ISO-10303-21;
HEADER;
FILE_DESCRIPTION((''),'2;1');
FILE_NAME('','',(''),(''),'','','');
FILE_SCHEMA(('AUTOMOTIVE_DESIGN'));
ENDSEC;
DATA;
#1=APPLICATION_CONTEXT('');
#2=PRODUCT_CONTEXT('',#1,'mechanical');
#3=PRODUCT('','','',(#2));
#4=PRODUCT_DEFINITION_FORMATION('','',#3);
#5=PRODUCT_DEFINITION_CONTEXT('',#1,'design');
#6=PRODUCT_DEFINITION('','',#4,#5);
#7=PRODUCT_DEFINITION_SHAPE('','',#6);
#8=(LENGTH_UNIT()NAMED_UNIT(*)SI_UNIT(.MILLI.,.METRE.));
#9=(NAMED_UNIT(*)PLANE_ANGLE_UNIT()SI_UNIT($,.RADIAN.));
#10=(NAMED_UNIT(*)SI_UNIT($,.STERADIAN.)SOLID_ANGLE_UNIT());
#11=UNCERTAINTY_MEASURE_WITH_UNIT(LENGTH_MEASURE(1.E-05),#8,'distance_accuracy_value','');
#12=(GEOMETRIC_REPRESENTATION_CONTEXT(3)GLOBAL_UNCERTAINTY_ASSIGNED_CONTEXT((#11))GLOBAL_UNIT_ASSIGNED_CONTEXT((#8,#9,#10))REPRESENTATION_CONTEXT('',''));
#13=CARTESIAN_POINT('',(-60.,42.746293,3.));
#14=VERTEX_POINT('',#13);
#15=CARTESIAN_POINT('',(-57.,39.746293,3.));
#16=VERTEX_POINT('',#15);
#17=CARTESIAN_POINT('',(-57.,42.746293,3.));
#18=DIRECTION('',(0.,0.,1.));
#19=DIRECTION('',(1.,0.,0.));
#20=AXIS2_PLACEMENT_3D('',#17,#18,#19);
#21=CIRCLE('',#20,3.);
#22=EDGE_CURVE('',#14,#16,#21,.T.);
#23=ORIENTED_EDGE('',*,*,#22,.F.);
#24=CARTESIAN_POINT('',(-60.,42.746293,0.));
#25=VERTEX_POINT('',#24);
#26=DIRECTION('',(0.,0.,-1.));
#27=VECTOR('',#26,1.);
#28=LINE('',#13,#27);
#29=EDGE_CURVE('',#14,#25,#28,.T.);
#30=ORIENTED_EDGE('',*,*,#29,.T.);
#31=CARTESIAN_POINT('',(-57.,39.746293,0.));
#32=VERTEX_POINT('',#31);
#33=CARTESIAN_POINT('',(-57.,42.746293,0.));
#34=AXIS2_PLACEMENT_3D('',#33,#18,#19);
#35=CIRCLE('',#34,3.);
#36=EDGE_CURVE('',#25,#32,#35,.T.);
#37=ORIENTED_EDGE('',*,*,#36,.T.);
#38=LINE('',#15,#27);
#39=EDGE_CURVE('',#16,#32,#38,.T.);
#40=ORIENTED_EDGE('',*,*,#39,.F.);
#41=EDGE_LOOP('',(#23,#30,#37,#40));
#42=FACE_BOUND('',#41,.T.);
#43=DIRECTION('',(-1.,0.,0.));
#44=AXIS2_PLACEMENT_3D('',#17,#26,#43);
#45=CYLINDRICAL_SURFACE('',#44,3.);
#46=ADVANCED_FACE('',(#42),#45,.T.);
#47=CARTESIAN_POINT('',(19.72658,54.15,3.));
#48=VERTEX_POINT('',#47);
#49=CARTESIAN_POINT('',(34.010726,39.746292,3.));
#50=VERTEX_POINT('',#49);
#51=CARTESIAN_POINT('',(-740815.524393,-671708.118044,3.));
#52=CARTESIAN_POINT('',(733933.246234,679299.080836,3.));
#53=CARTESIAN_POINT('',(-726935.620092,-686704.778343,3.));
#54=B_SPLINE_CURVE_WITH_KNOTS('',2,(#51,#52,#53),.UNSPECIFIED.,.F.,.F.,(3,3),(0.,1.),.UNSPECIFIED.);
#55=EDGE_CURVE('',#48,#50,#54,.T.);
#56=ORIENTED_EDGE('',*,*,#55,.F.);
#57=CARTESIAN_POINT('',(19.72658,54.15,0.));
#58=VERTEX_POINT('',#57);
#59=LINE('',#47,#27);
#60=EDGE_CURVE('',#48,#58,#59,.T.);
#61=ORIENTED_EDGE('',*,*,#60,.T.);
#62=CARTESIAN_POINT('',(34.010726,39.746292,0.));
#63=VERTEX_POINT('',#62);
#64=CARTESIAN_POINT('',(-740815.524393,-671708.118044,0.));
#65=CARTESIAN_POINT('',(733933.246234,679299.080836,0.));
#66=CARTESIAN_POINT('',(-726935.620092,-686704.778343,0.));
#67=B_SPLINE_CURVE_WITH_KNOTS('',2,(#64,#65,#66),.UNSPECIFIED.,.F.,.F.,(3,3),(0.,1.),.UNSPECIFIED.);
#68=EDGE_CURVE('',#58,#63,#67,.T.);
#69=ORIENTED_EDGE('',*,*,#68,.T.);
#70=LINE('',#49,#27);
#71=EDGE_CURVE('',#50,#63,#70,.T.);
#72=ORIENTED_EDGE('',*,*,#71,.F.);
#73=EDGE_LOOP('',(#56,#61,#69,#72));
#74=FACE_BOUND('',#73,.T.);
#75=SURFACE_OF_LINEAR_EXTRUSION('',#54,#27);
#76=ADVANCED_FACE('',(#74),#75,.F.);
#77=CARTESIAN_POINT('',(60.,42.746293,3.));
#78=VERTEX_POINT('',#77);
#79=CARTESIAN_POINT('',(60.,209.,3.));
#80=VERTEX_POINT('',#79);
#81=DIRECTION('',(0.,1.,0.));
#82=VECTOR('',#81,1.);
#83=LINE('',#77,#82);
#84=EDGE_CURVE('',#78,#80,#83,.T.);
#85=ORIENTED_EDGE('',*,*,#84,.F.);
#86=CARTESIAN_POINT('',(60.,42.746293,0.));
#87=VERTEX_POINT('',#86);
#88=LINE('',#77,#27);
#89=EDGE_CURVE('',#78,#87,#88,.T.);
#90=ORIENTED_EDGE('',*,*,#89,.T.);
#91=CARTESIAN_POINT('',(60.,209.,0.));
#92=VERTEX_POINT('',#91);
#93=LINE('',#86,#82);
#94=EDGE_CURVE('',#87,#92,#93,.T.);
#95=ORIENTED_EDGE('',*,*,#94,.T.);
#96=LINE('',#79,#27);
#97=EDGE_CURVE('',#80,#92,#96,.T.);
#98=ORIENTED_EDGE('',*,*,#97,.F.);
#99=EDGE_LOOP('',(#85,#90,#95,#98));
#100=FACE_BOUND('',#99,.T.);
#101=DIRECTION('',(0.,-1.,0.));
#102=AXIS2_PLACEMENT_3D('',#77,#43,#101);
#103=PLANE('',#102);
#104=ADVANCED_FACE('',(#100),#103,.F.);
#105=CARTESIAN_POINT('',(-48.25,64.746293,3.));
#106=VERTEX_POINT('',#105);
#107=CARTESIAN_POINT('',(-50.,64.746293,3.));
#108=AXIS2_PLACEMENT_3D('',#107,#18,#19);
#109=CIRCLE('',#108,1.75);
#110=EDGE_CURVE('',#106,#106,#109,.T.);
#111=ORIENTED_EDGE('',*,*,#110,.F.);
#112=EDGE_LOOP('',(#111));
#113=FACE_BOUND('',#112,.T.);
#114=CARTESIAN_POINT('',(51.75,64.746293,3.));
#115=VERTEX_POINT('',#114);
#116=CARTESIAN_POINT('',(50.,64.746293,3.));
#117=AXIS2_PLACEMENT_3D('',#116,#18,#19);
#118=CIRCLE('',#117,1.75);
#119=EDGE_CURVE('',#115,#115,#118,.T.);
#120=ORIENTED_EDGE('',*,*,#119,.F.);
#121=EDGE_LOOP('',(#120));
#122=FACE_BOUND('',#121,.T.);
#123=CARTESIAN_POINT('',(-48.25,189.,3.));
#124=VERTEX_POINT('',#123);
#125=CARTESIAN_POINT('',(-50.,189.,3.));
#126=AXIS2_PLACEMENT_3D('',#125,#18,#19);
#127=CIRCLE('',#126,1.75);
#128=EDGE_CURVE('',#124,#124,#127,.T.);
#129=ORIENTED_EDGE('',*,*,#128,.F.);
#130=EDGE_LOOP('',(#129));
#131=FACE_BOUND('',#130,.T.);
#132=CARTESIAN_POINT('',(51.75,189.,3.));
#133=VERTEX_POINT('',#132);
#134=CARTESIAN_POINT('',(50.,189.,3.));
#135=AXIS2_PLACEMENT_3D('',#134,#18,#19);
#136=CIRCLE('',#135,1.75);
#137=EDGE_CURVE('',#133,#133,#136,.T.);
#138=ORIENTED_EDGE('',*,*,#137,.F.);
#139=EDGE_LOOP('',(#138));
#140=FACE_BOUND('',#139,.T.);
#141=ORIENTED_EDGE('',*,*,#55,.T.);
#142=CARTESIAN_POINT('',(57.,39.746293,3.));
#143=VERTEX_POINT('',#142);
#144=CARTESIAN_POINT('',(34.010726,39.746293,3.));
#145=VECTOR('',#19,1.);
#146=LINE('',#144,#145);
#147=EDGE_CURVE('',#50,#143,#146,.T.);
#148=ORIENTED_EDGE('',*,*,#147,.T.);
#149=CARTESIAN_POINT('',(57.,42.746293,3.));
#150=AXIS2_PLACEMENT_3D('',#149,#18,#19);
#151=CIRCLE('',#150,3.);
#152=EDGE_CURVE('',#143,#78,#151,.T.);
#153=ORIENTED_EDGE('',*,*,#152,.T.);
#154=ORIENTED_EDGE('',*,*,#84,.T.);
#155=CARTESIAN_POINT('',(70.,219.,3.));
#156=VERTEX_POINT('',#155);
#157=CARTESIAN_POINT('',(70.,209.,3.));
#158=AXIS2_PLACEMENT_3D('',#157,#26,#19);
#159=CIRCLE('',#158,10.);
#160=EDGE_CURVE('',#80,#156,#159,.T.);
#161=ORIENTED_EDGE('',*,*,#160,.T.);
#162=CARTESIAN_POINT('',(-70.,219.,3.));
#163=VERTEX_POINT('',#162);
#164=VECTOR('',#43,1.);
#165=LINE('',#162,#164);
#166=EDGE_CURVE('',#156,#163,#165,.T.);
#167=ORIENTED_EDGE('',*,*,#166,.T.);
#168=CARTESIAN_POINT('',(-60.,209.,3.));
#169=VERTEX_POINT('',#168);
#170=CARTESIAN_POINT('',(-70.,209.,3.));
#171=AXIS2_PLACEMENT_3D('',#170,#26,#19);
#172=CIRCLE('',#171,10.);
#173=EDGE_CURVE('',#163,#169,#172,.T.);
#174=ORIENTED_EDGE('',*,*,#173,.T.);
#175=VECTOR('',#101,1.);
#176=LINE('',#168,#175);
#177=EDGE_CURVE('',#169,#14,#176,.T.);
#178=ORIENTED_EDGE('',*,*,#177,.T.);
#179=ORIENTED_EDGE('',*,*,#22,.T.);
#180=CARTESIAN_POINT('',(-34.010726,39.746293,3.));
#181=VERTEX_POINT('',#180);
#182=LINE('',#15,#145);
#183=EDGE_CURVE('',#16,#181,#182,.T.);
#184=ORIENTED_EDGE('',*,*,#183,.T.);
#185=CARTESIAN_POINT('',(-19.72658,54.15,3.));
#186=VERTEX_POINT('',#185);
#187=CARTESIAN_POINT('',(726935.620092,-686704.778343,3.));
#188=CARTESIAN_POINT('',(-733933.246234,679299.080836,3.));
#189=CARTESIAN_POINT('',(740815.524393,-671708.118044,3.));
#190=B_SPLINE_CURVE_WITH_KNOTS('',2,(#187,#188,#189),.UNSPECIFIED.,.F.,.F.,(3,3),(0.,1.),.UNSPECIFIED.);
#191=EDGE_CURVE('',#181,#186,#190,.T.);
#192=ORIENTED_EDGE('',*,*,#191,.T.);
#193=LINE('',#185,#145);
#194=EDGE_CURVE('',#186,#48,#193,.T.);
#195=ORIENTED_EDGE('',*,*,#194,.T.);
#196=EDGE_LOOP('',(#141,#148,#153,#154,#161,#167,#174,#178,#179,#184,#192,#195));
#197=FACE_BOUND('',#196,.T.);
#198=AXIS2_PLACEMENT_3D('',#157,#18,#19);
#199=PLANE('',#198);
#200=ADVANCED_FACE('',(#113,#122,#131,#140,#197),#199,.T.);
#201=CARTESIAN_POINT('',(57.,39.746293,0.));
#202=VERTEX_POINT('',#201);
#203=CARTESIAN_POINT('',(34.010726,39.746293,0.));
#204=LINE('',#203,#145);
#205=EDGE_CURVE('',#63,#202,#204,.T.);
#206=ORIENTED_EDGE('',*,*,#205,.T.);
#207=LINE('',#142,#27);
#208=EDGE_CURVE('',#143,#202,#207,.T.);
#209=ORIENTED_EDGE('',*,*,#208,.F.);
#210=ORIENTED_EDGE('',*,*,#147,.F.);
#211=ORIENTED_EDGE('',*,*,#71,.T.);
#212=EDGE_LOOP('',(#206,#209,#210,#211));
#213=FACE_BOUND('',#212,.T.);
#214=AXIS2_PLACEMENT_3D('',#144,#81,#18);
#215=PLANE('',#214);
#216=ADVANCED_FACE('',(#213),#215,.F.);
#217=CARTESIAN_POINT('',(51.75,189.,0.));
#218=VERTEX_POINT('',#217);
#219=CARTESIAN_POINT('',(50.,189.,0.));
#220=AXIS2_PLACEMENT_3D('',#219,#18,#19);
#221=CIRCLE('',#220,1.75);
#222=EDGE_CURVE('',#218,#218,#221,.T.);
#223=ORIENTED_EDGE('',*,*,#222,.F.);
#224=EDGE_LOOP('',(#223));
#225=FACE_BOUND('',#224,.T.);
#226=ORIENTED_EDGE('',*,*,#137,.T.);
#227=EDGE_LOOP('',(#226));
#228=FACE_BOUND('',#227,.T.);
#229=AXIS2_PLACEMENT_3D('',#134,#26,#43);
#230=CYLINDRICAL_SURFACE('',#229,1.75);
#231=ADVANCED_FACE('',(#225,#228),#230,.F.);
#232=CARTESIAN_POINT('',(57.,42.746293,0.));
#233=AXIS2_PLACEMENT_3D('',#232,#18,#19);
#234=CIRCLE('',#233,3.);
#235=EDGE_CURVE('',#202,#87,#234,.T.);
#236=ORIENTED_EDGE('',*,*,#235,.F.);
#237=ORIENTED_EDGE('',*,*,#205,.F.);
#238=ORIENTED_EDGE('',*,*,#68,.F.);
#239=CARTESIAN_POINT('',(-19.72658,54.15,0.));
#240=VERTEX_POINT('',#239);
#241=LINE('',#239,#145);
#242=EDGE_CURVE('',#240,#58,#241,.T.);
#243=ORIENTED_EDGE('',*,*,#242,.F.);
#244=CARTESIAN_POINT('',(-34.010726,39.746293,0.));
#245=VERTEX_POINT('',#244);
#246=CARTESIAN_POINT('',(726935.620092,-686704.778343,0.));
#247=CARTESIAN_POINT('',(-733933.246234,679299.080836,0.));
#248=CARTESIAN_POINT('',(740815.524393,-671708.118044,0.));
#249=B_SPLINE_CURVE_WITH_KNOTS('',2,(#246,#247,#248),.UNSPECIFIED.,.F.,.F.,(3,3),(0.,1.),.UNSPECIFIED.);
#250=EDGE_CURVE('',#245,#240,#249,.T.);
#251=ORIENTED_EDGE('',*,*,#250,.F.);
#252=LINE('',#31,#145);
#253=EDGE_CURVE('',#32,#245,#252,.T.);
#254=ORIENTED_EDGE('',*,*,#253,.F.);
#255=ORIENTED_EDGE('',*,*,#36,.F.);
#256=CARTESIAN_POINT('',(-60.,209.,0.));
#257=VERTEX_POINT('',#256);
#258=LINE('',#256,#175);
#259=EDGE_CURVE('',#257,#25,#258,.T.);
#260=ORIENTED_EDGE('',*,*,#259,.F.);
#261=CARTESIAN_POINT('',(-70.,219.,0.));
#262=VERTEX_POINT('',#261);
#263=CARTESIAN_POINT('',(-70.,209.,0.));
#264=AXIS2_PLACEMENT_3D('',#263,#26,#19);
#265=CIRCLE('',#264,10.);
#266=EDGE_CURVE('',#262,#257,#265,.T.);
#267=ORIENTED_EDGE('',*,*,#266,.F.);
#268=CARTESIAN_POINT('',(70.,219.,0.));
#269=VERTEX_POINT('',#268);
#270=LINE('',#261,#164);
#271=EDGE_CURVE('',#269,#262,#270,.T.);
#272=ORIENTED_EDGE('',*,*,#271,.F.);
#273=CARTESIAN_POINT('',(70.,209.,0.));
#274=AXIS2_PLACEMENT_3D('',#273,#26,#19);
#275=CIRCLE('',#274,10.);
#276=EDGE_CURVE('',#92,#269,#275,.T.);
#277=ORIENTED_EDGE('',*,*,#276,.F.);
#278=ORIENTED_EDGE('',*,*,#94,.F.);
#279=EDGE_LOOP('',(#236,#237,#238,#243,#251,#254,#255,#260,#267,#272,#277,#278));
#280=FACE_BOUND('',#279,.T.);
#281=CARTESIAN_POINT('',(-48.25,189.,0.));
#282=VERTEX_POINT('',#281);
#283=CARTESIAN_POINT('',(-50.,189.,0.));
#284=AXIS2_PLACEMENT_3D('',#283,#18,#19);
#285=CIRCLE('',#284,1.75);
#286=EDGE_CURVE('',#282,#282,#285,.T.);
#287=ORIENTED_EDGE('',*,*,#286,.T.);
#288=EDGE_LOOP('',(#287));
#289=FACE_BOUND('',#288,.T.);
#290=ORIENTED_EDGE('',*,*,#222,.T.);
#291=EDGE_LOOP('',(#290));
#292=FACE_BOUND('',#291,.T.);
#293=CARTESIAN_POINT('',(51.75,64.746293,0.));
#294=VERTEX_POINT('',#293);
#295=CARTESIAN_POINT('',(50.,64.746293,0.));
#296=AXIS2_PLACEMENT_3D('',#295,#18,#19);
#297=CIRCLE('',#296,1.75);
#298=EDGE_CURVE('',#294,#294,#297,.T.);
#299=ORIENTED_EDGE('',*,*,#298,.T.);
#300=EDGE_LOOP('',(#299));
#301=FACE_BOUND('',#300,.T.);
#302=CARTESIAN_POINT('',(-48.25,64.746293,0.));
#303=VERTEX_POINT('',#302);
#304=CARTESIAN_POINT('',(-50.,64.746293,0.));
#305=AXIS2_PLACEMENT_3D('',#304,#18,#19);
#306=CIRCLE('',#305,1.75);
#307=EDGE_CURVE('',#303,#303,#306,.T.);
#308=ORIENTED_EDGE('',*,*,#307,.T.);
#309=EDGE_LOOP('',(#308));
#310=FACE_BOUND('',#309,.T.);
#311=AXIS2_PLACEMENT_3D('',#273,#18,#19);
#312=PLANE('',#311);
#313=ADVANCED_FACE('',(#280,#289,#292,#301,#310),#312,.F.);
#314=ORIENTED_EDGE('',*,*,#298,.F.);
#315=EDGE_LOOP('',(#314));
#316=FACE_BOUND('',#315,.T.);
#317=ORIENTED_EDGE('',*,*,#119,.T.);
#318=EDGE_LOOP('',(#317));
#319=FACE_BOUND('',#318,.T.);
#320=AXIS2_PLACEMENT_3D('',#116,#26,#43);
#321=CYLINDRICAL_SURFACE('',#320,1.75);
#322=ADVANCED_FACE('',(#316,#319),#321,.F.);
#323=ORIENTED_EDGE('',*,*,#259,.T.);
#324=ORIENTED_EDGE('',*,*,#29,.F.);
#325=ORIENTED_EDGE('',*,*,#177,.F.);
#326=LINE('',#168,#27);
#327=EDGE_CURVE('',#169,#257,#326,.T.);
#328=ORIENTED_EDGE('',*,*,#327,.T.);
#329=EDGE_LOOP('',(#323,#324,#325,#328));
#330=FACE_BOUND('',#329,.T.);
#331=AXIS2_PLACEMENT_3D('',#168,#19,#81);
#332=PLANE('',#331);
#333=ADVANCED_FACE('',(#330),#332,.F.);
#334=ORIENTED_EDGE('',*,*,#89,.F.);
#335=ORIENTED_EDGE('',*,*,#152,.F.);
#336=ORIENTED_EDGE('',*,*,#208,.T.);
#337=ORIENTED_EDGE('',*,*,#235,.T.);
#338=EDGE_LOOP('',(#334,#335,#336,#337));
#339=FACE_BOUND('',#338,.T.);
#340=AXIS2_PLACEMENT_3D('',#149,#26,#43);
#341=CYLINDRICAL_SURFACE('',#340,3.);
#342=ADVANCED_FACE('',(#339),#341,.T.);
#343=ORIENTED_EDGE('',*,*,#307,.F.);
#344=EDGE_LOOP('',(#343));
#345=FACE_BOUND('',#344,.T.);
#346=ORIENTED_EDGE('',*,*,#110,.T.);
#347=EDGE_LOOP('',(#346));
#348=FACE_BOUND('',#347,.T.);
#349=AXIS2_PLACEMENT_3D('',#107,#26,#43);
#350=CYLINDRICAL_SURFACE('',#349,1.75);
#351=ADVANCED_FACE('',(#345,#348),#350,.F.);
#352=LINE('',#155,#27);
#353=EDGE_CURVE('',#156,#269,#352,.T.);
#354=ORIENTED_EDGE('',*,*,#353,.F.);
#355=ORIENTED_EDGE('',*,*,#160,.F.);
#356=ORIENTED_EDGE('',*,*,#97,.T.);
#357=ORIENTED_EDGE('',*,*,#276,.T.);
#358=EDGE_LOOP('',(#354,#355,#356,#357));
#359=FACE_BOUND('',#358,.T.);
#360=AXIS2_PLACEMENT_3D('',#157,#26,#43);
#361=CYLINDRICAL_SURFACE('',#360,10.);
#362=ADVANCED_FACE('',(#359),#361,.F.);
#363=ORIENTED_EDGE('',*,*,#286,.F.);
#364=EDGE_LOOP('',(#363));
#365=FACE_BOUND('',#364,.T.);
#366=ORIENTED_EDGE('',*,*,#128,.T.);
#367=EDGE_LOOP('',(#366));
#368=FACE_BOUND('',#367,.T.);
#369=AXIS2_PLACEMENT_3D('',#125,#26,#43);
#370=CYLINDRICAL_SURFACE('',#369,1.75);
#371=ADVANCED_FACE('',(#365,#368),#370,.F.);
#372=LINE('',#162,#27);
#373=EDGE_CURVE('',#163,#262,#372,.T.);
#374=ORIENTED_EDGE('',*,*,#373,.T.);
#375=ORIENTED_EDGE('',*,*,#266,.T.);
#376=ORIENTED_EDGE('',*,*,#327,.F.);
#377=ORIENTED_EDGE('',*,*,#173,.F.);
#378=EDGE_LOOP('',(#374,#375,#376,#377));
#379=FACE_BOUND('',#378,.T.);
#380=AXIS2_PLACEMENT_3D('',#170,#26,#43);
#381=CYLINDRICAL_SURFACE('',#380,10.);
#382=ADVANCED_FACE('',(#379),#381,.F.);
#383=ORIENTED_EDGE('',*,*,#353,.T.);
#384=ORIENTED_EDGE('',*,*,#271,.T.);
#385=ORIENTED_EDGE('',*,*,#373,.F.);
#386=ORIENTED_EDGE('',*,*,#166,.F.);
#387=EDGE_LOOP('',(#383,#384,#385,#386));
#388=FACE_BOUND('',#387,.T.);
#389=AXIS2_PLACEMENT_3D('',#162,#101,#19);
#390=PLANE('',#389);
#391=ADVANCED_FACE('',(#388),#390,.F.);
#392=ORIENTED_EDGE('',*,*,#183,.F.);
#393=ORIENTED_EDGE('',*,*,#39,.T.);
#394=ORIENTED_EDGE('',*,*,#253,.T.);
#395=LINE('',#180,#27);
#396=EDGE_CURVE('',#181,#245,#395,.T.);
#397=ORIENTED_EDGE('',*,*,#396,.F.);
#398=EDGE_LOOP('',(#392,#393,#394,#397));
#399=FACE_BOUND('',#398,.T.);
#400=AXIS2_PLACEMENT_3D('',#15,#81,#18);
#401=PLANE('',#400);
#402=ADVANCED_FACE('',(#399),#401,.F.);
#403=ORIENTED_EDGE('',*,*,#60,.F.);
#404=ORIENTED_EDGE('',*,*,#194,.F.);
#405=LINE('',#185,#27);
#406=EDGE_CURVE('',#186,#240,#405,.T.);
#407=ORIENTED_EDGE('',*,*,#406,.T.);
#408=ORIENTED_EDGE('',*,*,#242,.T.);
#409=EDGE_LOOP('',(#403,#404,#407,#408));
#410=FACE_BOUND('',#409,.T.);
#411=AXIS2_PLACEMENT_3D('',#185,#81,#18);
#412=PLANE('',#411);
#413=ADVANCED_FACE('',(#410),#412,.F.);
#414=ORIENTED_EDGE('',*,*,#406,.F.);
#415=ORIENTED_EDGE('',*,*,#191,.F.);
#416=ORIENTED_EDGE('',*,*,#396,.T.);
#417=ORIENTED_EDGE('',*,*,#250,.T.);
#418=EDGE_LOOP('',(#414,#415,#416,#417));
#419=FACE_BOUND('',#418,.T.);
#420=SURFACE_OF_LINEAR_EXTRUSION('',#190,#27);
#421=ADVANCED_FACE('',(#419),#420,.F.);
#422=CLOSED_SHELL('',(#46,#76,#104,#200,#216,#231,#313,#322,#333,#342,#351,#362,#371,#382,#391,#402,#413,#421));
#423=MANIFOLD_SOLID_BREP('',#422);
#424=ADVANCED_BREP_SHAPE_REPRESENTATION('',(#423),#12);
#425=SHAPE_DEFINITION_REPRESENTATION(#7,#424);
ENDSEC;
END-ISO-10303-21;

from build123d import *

# Parameters (mm, degrees)
SKETCH1_R           = 1.75
BOSS_EXTRUDE1_DEPTH = 3


with BuildPart() as part:
    # Sketch1 → Boss-Extrude1 (new body)
    with BuildSketch(Plane.XY):
        with BuildLine():
            Line((-70, 219), (70, 219))
            ThreePointArc((70, 219), (62.928932188, 216.071067812), (60, 209))
            Line((60, 209), (60, 42.746292529))
            ThreePointArc((60, 42.746292529), (59.121320344, 40.624972186), (57, 39.746292529))
            Line((57, 39.746292529), (34.010726171, 39.746292529))
            add(Edge.make_bspline(
                [(19.726580418, 54.15), (28.313482158, 48.285383086), (34.010726171, 39.746292529)],
                knots=[0, 0, 0, 1, 1, 1], degree=2))
            Line((19.726580418, 54.15), (-19.726580418, 54.15))
            add(Edge.make_bspline(
                [(-34.01072617, 39.746292529), (-28.313482158, 48.285383086), (-19.726580418, 54.15)],
                knots=[0, 0, 0, 1, 1, 1], degree=2))
            Line((-34.01072617, 39.746292529), (-57, 39.746292529))
            ThreePointArc((-57, 39.746292529), (-59.121320344, 40.624972186), (-60, 42.746292529))
            Line((-60, 42.746292529), (-60, 209))
            ThreePointArc((-60, 209), (-62.928932188, 216.071067812), (-70, 219))
        make_face()
        with Locations((50, 64.746292529)):
            Circle(SKETCH1_R, mode=Mode.SUBTRACT)
        with Locations((50, 189)):
            Circle(SKETCH1_R, mode=Mode.SUBTRACT)
        with Locations((-50, 189)):
            Circle(SKETCH1_R, mode=Mode.SUBTRACT)
        with Locations((-50, 64.746292529)):
            Circle(SKETCH1_R, mode=Mode.SUBTRACT)
    extrude(amount=BOSS_EXTRUDE1_DEPTH)


solid = part.part
